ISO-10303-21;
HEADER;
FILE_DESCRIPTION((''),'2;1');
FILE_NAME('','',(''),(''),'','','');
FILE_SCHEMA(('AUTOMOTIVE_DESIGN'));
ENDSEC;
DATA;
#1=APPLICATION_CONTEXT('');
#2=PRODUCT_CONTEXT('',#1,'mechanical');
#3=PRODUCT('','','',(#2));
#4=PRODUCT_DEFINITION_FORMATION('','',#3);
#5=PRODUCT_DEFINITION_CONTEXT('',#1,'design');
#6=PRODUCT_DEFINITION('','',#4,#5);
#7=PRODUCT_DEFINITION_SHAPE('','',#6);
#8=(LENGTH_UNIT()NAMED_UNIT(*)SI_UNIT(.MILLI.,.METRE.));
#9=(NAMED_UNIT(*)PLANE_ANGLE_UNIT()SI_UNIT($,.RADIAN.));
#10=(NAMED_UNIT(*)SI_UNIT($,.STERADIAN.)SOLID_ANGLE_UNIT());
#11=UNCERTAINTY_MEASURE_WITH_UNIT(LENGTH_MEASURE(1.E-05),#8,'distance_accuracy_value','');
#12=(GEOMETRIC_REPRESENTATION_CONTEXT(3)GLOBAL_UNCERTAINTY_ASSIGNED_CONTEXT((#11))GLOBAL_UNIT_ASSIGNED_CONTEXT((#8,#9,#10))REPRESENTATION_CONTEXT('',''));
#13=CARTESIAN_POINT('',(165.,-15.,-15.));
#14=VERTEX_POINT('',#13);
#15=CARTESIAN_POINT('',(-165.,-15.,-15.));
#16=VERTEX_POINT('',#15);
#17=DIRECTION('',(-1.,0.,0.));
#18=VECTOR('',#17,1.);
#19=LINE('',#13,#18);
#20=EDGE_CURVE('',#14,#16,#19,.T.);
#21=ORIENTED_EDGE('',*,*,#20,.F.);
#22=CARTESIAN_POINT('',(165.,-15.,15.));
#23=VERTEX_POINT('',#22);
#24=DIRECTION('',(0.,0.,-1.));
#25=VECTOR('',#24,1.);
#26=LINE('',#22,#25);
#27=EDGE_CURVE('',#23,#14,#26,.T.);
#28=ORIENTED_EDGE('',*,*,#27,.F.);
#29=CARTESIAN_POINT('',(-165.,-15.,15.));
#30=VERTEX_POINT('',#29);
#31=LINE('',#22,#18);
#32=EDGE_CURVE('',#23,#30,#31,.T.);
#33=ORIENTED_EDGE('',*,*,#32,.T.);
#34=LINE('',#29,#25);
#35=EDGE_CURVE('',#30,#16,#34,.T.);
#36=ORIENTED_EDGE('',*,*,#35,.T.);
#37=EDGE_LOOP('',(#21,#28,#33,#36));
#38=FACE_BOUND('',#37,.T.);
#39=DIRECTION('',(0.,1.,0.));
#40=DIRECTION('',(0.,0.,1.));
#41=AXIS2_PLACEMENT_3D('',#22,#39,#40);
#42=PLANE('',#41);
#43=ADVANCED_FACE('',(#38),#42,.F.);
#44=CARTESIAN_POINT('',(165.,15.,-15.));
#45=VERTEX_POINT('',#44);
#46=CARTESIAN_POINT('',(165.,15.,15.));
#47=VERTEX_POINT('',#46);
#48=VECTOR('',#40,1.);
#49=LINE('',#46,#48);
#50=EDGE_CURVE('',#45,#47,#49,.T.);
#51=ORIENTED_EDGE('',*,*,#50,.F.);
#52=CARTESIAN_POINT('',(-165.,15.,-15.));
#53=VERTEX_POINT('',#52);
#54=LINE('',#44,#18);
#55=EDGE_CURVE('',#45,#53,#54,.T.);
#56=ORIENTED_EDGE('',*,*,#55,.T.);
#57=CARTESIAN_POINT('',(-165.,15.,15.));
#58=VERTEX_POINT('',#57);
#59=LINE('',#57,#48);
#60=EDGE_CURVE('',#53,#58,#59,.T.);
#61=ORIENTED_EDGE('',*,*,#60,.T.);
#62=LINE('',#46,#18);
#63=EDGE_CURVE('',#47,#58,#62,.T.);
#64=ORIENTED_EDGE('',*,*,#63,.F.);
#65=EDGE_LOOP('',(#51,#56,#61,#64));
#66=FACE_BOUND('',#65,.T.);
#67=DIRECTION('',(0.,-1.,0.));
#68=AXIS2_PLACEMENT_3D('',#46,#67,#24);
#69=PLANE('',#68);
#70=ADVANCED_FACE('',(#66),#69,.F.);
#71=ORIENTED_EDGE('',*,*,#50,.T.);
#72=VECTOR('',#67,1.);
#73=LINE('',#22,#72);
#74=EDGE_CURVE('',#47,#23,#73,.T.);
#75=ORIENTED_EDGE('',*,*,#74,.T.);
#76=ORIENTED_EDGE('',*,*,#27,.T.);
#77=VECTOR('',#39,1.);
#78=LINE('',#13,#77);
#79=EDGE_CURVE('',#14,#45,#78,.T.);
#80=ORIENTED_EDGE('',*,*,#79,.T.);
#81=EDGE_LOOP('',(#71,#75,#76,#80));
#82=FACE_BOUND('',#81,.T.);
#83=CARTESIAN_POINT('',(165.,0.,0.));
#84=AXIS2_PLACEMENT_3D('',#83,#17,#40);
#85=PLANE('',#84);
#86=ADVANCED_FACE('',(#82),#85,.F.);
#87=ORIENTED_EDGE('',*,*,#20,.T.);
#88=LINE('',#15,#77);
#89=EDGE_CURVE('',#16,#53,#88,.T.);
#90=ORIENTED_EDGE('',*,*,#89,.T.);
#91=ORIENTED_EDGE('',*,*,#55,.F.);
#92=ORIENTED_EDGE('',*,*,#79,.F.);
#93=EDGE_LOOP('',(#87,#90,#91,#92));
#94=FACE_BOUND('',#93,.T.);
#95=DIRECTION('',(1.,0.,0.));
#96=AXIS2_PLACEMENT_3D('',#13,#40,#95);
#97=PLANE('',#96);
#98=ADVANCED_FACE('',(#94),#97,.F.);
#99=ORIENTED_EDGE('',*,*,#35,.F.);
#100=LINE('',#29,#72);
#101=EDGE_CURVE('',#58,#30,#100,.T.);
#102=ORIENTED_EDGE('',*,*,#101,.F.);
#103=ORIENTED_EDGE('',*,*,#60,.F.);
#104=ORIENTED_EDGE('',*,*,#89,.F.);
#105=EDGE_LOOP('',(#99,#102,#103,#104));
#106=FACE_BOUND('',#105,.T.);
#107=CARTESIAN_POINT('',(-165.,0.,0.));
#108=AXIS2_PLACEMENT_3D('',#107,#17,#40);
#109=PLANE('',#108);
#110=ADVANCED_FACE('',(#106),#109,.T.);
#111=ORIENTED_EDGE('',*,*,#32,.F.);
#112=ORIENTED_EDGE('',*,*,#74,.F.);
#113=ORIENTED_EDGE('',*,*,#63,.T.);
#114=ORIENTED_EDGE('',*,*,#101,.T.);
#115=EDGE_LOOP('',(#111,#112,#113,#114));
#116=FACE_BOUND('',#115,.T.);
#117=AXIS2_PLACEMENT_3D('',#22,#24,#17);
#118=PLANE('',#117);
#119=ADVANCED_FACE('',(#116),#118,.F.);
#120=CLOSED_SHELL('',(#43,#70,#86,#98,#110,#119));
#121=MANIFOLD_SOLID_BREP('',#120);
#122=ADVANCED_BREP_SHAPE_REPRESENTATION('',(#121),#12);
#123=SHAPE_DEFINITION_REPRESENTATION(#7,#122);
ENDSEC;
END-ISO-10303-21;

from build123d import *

# Parameters (mm, degrees)
SKETCH1_W           = 30
SKETCH1_H           = 30
BOSS_EXTRUDE1_DEPTH = 165


with BuildPart() as part:
    # Sketch1 → Boss-Extrude1 (new body, symmetric)
    with BuildSketch(Plane(origin=(0, 0, 0), x_dir=(0, 0, -1), z_dir=(1, 0, 0))):
        Rectangle(SKETCH1_W, SKETCH1_H)
    extrude(amount=BOSS_EXTRUDE1_DEPTH, both=True)


solid = part.part
